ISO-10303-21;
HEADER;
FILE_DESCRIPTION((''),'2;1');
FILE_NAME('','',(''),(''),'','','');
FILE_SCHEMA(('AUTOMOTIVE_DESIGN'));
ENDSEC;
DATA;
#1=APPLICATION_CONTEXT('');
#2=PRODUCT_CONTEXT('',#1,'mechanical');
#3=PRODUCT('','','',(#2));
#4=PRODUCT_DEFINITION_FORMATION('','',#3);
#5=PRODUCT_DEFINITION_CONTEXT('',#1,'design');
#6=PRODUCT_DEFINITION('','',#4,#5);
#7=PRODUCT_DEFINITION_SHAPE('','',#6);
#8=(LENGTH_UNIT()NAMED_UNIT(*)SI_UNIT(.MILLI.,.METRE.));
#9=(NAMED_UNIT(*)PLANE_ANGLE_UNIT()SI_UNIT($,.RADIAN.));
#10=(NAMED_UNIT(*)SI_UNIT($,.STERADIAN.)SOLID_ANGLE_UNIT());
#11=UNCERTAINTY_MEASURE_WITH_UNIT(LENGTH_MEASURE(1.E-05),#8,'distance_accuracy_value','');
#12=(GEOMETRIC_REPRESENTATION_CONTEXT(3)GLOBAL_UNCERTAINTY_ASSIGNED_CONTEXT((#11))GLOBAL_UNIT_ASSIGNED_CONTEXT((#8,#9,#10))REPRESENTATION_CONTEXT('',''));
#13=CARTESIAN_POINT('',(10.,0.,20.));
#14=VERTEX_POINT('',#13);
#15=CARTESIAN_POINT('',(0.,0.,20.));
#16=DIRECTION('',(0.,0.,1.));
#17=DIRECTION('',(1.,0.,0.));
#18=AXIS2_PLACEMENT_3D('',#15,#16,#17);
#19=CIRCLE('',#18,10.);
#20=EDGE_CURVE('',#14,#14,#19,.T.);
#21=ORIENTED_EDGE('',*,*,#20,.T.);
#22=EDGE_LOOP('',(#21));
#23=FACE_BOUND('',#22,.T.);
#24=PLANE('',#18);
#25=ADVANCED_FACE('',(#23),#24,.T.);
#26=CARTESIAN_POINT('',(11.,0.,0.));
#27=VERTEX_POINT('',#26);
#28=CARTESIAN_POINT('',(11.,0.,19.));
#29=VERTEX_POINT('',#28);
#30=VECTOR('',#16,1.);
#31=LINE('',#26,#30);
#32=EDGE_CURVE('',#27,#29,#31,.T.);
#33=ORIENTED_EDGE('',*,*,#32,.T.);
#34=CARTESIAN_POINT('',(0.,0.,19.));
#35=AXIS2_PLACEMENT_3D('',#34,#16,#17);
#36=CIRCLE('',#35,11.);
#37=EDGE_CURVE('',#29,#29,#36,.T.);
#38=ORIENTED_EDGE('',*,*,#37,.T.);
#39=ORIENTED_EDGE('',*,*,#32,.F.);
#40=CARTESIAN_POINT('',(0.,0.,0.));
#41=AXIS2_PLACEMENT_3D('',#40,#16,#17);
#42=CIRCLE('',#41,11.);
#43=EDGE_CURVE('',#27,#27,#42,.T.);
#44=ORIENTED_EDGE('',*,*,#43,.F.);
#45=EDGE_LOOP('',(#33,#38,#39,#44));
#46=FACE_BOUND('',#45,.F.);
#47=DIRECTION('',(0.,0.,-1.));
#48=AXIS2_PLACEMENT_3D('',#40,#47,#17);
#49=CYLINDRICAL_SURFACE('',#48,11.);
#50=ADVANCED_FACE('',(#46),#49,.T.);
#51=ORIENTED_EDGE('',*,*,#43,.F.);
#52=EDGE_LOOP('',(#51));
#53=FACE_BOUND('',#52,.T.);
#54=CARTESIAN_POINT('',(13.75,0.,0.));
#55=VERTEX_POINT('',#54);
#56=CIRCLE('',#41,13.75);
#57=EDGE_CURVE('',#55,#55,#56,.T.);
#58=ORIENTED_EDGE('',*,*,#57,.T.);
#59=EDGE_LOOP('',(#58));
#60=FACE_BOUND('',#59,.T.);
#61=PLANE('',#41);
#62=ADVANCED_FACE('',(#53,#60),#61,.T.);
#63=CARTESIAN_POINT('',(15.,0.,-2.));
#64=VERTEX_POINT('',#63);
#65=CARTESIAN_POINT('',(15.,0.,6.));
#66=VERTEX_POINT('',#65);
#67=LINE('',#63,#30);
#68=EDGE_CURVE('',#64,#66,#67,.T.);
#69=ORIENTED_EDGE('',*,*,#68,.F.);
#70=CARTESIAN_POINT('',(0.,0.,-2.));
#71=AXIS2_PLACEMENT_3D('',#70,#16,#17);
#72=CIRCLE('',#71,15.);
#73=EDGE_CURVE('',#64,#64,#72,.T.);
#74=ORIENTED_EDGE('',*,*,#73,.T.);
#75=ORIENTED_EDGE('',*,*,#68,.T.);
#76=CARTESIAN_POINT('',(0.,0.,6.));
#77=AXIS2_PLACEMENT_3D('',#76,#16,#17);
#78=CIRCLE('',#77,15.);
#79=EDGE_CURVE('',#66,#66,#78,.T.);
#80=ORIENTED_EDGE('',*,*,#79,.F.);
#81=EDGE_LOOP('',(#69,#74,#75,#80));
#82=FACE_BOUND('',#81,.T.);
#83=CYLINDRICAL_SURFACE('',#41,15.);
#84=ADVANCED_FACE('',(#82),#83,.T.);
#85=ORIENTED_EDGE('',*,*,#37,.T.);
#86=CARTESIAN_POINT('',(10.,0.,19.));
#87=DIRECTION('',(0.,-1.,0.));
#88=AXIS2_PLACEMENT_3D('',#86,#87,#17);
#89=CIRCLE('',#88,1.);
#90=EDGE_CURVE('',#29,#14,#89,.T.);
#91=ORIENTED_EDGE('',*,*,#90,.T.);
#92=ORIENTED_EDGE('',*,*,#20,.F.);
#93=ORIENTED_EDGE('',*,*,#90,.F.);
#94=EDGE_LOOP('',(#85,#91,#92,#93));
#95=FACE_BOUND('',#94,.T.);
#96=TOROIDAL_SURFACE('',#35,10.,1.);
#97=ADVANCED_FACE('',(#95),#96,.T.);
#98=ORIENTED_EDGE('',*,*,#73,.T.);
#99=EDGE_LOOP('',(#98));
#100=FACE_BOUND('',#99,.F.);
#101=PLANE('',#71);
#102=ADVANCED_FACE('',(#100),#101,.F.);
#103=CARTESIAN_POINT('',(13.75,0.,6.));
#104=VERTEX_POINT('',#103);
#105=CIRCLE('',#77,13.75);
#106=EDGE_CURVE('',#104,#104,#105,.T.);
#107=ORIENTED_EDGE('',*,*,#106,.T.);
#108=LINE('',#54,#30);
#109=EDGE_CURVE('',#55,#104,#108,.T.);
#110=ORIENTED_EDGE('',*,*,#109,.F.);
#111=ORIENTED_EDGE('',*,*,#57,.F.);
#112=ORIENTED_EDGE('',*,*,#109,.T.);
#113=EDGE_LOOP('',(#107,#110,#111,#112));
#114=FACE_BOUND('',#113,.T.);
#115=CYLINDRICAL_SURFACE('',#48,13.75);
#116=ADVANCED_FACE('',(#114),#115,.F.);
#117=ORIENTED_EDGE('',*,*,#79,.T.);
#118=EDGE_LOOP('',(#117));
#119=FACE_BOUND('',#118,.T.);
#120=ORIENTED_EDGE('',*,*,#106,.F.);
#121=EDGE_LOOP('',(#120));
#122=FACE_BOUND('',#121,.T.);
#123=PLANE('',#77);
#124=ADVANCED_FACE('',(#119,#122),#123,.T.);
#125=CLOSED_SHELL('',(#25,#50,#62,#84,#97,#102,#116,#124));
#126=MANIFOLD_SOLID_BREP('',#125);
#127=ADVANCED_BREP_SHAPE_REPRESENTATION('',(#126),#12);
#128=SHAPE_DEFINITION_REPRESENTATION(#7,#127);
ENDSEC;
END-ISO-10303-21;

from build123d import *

# Parameters (mm, degrees)
F0_R     = 15
F0_R_2   = 13.75
F1_DEPTH = 6
F0_R_3   = 11
F2_DEPTH = 2
F3_DEPTH = 20
F4_R     = 1


with BuildPart() as f1:
    # F0 (on Top) → F1 (new body)
    with BuildSketch(Plane.XY):
        Circle(F0_R)
        Circle(F0_R_2, mode=Mode.SUBTRACT)
    extrude(amount=F1_DEPTH)

    # F0 (on Top) → F2 (join)
    with BuildSketch(Plane.XY):
        Circle(F0_R)
        Circle(F0_R_2, mode=Mode.SUBTRACT)
        Circle(F0_R_2)
        Circle(F0_R_3, mode=Mode.SUBTRACT)
        Circle(F0_R_3)
    extrude(amount=-F2_DEPTH)

    # F0 (on Top) → F3 (join)
    with BuildSketch(Plane.XY):
        Circle(F0_R_3)
    extrude(amount=F3_DEPTH)

    # F4
    f4_edges = [f1.edges().sort_by_distance(p)[0] for p in [
        (-11, 0, 20),
    ]]
    fillet(f4_edges, radius=F4_R)


solid = f1.part
